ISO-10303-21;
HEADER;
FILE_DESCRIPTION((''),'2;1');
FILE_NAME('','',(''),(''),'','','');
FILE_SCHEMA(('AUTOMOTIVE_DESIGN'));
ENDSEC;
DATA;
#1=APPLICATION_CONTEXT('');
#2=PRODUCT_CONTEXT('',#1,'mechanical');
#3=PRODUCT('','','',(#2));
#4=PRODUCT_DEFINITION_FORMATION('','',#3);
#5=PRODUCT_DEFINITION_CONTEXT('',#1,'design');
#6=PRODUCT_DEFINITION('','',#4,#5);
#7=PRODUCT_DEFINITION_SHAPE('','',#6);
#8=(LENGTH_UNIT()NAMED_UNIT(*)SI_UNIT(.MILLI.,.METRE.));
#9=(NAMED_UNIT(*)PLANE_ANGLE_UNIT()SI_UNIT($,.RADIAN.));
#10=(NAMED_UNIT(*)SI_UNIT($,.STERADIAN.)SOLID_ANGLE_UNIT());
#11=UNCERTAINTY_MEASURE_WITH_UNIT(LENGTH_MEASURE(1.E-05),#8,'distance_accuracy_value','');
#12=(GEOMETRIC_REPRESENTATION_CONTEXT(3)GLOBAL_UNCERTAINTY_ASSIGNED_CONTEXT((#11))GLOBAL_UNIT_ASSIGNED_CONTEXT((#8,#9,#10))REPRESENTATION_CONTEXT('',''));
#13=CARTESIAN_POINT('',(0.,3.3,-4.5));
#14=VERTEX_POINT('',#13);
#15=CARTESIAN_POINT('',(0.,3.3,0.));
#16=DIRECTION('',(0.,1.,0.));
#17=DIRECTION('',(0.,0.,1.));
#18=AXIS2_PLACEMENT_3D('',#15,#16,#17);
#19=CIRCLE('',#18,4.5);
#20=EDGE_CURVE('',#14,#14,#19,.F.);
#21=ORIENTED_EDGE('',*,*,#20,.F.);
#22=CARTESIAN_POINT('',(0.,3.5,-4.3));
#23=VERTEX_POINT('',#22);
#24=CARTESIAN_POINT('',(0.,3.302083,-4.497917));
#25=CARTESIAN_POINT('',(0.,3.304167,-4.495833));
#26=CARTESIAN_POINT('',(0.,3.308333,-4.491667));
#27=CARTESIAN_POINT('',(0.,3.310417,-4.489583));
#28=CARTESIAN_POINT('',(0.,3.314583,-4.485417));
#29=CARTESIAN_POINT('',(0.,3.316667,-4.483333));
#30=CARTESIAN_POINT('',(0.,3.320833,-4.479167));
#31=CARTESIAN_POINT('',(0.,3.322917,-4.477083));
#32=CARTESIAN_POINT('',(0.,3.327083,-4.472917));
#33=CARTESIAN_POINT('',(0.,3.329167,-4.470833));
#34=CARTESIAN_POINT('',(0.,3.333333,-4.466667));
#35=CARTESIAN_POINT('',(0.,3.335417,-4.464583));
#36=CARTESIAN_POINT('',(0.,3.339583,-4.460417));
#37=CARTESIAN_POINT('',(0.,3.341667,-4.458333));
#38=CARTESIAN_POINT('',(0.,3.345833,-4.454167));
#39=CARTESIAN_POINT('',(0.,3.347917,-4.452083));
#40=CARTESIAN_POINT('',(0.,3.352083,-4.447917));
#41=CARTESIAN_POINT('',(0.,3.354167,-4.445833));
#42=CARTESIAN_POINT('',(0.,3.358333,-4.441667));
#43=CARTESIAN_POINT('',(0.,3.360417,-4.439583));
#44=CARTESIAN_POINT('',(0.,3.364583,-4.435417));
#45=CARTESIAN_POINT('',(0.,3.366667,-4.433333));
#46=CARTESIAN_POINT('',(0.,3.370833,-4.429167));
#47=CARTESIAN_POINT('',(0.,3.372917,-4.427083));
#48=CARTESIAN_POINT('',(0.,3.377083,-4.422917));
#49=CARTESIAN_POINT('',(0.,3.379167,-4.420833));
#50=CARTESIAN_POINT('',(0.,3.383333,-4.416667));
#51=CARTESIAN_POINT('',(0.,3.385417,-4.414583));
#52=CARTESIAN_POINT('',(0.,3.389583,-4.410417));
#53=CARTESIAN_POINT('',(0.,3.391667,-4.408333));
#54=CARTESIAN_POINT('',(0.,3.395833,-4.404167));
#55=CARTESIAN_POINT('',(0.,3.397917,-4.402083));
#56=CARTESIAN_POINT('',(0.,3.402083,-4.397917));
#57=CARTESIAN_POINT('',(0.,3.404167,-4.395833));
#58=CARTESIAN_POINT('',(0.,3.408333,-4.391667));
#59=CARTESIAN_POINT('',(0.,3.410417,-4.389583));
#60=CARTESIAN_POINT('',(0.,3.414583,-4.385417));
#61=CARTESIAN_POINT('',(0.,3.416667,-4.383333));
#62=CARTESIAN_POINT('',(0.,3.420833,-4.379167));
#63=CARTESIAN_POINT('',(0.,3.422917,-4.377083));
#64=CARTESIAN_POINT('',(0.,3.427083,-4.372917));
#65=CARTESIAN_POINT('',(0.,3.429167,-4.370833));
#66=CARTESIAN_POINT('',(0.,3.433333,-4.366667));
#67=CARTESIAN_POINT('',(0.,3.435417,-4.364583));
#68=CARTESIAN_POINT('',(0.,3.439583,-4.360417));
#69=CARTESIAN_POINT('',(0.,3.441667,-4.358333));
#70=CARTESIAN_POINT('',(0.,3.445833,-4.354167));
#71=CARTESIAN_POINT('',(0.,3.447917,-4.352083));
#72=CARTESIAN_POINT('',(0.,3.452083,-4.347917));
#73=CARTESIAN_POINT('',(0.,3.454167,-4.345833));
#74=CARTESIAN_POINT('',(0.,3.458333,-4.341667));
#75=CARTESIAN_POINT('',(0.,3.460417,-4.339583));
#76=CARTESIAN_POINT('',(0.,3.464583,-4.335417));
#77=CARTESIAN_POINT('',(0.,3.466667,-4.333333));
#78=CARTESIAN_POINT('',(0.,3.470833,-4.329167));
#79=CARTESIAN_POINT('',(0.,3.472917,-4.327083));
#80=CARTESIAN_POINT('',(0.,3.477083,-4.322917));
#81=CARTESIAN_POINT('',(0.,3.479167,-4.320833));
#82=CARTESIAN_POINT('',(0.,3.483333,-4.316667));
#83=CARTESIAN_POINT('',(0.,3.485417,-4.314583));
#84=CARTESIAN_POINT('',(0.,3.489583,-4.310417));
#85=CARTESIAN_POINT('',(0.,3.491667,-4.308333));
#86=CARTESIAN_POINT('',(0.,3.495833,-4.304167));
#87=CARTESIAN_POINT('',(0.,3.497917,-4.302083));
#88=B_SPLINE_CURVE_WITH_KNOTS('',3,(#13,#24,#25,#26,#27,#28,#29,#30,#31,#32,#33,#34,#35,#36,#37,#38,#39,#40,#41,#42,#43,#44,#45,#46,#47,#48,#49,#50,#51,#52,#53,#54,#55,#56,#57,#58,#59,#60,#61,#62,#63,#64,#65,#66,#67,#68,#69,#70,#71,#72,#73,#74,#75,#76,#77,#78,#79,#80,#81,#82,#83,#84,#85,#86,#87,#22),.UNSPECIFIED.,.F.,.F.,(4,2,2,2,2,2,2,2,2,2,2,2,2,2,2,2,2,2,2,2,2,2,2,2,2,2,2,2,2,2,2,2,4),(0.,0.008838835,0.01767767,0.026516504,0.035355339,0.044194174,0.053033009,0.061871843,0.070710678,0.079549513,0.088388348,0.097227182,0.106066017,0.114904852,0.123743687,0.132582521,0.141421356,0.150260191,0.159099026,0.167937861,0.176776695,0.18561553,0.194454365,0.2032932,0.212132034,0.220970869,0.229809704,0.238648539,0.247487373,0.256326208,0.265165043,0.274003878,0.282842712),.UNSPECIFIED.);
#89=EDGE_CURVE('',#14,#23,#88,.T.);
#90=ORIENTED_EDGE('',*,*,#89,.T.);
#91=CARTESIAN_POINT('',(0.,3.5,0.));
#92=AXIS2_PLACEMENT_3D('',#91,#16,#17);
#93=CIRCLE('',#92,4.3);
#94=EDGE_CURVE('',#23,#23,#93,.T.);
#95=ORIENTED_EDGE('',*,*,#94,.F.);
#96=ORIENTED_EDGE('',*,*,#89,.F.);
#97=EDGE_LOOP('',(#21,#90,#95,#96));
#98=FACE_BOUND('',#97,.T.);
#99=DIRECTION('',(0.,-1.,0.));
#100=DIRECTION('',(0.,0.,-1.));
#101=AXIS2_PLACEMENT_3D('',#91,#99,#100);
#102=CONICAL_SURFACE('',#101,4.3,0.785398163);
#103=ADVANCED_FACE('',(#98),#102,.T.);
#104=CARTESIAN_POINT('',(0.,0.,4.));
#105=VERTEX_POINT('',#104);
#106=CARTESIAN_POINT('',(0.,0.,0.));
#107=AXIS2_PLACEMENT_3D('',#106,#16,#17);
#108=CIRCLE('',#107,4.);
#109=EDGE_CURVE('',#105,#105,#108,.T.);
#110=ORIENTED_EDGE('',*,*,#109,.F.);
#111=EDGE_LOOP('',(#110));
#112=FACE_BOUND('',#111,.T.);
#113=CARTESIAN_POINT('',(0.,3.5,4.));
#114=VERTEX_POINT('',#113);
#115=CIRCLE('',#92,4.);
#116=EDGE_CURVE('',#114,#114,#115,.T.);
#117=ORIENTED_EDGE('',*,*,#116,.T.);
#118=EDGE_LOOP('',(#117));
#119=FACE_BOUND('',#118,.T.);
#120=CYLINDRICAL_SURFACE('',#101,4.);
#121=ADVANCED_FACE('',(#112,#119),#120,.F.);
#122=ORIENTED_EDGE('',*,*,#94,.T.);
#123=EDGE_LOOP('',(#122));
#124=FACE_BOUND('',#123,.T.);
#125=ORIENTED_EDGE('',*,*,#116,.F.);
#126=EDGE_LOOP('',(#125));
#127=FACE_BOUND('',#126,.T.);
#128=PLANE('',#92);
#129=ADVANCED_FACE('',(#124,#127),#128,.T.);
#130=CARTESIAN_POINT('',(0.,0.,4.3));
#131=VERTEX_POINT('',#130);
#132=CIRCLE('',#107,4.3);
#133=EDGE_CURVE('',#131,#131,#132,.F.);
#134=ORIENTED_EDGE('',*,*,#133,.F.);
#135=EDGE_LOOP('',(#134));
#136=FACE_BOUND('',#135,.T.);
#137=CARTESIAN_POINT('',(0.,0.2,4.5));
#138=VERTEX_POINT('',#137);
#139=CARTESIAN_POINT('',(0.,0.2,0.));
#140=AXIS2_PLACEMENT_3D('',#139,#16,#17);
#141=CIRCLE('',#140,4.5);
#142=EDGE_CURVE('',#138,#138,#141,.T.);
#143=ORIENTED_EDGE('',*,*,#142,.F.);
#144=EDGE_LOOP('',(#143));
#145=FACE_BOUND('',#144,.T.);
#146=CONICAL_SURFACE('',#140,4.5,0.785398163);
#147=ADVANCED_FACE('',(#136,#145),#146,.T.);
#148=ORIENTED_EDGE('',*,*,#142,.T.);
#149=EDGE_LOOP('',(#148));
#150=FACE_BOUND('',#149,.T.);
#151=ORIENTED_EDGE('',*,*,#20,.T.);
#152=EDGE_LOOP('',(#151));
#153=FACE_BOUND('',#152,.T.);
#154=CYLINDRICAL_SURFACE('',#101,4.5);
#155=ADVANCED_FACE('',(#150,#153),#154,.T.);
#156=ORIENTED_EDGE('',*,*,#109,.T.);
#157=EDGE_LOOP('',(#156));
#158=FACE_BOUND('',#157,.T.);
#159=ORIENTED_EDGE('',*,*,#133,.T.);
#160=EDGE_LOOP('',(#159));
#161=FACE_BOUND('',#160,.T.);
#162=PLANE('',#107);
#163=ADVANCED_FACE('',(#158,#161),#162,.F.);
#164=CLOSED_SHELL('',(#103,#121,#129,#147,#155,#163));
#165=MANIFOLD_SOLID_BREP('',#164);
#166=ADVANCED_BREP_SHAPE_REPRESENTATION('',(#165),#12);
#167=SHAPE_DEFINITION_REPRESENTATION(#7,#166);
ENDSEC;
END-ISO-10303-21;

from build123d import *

# Parameters (mm, degrees)
SKETCH_1_R      = 4.5
SKETCH_1_R_2    = 4
EXTRUDE_1_DEPTH = 3.5
CHAMFER_1_SIZE  = 0.2


with BuildPart() as part:
    # 스케치1 → 보스-돌출1 (new body)
    with BuildSketch(Plane(origin=(0, 0, 0), x_dir=(1, 0, 0), z_dir=(0, 1, 0))):
        with Locations(Location((0, 0, 0), (0, 0, 270))):
            Circle(SKETCH_1_R)
        with Locations(Location((0, 0, 0), (0, 0, 270))):
            Circle(SKETCH_1_R_2, mode=Mode.SUBTRACT)
    extrude(amount=EXTRUDE_1_DEPTH)

    # 모따기1
    chamfer_1_edges = [part.edges().sort_by_distance(p)[0] for p in [
        (0, 0, -4.5),
        (0, 3.5, -4.5),
    ]]
    chamfer(chamfer_1_edges, length=CHAMFER_1_SIZE)


solid = part.part
